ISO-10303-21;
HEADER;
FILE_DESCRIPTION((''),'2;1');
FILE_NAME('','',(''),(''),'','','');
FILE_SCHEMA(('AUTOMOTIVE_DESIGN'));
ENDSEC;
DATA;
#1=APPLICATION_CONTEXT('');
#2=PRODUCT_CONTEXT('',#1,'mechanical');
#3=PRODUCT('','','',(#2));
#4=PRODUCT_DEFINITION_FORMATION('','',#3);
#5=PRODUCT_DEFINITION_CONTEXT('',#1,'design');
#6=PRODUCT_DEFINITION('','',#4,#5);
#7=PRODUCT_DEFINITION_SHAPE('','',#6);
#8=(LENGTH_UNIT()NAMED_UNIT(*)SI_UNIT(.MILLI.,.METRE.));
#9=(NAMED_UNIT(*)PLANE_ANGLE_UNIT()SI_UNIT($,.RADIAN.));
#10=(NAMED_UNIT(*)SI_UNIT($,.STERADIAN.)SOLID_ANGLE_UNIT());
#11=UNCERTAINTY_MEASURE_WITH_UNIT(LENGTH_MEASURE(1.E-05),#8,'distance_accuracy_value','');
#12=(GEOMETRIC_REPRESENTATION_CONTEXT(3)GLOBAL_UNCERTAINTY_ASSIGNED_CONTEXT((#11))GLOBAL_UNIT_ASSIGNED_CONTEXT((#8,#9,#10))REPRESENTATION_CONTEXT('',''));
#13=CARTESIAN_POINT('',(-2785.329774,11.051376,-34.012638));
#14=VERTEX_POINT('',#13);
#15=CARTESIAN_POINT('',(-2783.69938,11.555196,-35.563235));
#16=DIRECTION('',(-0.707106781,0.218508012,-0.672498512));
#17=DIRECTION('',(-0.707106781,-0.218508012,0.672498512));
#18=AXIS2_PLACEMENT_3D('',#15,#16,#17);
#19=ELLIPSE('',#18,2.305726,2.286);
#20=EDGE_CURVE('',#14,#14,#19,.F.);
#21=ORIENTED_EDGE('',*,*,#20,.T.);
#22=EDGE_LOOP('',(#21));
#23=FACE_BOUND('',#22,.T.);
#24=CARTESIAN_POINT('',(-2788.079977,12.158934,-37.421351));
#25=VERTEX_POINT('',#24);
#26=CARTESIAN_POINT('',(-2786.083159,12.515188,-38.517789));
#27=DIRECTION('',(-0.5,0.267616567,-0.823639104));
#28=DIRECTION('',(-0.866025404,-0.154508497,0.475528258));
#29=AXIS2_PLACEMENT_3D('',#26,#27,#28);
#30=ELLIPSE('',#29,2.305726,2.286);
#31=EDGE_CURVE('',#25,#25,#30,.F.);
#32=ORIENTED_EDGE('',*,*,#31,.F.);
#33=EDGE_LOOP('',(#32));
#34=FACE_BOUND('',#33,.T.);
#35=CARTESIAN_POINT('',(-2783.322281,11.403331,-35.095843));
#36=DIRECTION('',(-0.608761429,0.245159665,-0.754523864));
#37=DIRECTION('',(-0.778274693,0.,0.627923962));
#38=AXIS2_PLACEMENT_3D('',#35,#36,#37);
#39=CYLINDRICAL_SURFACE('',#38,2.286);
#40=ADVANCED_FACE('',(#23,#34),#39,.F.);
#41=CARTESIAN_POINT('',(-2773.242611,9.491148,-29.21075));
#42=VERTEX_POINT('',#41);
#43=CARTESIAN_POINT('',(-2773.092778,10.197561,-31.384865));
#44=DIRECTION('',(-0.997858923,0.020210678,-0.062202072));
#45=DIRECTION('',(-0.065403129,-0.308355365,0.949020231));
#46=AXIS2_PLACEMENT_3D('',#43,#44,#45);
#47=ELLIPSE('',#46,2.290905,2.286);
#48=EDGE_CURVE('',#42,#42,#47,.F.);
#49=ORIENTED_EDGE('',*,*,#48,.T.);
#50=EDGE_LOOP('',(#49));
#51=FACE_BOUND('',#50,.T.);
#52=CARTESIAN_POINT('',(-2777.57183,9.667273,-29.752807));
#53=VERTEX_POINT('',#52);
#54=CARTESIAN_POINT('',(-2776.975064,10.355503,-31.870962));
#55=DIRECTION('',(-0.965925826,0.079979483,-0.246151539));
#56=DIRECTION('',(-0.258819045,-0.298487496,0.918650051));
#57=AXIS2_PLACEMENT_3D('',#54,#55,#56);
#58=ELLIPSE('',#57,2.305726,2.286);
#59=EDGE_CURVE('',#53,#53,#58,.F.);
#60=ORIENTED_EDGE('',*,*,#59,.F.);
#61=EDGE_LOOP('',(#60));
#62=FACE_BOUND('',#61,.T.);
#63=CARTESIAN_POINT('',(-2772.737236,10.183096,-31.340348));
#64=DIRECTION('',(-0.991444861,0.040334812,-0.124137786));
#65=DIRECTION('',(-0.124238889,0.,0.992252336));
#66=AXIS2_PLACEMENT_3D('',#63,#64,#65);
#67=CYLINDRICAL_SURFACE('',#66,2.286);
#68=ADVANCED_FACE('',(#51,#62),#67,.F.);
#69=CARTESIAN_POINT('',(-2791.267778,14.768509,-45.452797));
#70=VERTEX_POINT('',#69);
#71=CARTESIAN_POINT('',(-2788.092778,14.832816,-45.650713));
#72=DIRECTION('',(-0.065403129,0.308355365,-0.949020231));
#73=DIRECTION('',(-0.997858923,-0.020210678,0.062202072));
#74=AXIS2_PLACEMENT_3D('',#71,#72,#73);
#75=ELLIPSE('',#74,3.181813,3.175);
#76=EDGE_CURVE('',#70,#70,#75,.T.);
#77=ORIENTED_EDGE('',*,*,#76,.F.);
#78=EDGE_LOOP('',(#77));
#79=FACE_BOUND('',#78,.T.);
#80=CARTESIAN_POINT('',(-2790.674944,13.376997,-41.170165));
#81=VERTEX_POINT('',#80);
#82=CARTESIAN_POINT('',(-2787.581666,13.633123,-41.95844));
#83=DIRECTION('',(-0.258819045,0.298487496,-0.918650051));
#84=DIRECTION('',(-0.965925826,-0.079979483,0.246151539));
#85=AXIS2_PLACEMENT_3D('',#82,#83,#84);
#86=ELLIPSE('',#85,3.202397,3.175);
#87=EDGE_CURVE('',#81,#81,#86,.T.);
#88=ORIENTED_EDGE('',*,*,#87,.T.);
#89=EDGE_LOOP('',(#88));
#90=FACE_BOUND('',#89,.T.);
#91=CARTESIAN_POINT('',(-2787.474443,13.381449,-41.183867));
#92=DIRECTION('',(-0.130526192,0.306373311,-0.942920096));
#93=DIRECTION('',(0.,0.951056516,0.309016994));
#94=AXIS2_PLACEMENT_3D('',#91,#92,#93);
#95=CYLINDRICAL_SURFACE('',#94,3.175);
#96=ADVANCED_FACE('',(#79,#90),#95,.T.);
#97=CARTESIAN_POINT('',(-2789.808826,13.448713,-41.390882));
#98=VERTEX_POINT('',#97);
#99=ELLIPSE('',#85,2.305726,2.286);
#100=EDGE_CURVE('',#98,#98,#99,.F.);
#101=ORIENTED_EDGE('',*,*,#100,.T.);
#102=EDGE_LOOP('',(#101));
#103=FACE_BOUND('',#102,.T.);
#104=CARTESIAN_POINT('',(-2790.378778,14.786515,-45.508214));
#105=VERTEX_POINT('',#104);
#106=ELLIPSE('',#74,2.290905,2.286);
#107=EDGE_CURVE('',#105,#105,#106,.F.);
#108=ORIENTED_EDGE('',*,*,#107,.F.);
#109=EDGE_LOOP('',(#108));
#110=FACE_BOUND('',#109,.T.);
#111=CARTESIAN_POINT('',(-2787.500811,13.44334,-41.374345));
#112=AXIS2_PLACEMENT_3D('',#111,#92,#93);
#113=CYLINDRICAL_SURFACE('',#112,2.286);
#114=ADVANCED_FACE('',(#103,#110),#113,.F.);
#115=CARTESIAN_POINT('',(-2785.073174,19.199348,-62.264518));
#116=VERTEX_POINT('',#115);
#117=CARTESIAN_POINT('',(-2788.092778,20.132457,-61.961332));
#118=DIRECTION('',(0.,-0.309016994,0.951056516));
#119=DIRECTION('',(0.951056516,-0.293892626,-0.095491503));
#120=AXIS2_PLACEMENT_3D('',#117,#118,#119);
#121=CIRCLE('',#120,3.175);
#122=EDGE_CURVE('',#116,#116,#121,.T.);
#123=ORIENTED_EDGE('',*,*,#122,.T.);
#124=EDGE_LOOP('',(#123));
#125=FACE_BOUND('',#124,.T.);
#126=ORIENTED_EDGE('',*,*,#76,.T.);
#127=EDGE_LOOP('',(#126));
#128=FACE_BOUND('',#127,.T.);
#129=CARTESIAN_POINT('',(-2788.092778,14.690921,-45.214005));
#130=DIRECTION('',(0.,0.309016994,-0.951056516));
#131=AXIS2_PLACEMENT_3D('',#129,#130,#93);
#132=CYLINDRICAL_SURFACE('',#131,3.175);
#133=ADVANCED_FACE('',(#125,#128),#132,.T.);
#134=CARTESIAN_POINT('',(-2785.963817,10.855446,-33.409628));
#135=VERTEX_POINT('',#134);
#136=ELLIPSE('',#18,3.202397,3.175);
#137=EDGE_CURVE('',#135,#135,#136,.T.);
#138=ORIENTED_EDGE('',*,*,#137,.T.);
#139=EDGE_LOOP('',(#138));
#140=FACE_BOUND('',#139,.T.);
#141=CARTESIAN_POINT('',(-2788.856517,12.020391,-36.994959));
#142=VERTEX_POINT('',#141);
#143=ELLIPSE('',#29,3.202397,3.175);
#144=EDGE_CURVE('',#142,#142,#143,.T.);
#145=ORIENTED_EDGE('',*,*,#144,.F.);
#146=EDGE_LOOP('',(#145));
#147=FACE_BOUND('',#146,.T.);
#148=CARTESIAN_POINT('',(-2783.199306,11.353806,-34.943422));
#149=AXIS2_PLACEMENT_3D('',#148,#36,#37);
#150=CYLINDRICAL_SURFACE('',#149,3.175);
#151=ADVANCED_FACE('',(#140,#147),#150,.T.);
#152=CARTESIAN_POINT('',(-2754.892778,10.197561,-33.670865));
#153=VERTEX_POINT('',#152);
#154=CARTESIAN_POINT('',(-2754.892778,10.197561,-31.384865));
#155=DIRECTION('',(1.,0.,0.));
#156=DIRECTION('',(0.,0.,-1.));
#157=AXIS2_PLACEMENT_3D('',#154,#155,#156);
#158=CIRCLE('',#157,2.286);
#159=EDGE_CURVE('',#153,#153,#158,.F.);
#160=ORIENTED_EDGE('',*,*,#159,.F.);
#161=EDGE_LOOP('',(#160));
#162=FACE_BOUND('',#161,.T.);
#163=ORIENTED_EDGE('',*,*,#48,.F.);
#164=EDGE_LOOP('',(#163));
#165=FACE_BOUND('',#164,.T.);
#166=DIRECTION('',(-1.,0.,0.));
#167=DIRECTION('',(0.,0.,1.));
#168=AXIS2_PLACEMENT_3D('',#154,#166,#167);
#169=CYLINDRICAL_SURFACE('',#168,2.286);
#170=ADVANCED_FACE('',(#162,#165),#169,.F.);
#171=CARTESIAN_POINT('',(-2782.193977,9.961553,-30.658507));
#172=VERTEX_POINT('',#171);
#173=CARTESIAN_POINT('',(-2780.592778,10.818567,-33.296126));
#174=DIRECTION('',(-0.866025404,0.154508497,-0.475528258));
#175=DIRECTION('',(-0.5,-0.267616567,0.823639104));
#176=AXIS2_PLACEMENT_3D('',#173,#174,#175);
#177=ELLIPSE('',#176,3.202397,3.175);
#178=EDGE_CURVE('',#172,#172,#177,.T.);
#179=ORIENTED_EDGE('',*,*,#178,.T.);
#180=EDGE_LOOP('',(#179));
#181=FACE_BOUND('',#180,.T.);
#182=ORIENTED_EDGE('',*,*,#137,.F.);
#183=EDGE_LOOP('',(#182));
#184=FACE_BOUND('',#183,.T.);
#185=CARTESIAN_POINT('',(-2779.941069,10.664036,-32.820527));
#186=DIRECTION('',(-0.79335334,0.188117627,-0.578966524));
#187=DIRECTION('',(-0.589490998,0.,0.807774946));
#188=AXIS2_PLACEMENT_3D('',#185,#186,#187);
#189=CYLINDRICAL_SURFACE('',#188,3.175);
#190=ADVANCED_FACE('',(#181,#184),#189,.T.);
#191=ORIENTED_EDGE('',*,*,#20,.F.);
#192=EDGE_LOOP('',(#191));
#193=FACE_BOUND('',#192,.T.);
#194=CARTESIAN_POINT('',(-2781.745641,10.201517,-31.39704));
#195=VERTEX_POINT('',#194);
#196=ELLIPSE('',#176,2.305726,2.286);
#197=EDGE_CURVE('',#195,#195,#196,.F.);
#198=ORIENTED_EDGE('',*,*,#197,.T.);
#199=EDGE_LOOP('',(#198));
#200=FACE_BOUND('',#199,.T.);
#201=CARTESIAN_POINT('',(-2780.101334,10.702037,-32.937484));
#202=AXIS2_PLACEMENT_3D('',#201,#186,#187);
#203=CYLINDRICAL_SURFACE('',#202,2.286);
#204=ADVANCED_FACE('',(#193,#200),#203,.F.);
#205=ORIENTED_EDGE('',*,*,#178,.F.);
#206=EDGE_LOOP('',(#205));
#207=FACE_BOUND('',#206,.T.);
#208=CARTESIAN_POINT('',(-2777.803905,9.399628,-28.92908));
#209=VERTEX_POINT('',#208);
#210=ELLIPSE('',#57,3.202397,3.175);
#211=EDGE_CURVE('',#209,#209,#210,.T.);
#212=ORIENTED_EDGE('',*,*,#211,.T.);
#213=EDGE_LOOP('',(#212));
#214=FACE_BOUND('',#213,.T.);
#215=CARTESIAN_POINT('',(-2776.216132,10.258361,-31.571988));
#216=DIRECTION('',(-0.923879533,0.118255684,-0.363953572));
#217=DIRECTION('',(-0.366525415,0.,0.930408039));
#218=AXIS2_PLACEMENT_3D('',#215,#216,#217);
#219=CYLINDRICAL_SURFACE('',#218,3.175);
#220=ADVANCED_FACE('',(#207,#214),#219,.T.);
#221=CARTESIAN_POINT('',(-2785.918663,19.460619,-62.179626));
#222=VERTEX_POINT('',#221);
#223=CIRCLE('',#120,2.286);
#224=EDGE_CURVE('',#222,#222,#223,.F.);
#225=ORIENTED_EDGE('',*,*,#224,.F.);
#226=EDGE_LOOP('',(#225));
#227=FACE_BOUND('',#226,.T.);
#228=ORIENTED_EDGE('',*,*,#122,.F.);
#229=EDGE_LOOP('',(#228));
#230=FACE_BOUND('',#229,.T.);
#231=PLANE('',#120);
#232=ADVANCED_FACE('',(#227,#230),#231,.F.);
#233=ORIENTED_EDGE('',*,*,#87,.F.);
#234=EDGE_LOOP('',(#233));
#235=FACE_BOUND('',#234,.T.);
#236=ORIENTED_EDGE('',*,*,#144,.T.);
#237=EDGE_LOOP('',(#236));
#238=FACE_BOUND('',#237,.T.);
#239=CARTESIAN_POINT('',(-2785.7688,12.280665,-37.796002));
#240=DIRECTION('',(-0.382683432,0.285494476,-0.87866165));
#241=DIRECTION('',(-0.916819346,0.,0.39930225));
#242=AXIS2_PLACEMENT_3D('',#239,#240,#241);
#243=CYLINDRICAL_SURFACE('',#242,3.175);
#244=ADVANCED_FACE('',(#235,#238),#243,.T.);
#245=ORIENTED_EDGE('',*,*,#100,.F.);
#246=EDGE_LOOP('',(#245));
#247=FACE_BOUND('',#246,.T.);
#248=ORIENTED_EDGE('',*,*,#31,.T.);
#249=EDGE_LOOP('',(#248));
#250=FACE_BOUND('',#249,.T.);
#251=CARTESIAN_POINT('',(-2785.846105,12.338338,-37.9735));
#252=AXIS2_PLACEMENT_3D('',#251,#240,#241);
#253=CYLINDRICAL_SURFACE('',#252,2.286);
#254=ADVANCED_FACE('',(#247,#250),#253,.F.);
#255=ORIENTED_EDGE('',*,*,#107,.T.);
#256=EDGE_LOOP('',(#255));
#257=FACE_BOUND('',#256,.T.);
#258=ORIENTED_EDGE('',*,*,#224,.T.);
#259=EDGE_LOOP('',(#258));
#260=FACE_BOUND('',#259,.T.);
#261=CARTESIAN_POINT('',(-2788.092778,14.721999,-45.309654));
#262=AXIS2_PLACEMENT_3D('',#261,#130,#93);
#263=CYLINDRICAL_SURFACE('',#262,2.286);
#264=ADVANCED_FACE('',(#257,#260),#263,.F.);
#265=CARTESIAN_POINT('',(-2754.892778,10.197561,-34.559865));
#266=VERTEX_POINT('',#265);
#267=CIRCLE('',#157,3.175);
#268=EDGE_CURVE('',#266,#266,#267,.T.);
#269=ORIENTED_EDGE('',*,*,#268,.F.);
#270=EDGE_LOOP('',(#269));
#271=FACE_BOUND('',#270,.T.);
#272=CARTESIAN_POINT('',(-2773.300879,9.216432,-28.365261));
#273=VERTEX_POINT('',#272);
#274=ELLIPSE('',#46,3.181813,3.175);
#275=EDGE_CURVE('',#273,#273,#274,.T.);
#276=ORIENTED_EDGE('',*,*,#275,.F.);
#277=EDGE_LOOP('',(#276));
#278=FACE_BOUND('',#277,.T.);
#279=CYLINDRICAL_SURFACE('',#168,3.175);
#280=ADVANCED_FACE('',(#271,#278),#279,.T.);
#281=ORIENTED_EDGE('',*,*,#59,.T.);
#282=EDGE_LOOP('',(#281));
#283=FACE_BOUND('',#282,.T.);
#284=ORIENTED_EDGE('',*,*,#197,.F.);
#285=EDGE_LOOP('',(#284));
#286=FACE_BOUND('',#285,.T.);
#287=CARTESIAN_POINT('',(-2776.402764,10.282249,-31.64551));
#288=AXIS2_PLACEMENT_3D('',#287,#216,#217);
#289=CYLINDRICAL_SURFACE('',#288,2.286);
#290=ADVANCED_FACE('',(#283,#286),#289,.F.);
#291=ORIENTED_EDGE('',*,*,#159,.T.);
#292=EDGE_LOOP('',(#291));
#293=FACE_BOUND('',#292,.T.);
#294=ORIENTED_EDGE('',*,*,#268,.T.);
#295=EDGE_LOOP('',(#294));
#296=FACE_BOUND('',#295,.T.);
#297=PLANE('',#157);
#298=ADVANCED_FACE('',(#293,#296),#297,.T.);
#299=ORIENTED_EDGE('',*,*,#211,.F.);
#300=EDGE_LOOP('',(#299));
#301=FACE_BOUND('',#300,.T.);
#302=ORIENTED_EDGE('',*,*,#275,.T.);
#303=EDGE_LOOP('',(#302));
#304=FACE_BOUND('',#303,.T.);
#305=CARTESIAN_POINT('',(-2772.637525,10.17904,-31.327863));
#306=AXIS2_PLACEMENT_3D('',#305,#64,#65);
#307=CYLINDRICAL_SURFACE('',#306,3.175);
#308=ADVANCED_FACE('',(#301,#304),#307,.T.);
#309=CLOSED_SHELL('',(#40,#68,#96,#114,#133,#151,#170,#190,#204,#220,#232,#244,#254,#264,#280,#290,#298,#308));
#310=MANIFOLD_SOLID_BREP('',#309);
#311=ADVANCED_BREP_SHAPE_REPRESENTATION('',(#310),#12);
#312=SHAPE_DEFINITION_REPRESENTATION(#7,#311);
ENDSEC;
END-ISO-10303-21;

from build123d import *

# Parameters (mm, degrees)
PROFILE_R   = 3.175
PROFILE_R_2 = 2.286


with BuildPart() as part:
    # Tube: sweep along a curve in space
    with BuildLine() as tube_path:
        Line((-2754.892778381, 10.197560814, -31.384865038), (-2773.092778381, 10.197560814, -31.384865038))
        Line((-2773.092778381, 10.197560814, -31.384865038), (-2776.975064057, 10.355503296, -31.870962012))
        Line((-2776.975064057, 10.355503296, -31.870962012), (-2780.592778381, 10.81856722, -33.296126229))
        Line((-2780.592778381, 10.81856722, -33.296126229), (-2783.699380099, 11.555195547, -35.563235103))
        Line((-2783.699380099, 11.555195547, -35.563235103), (-2786.083159438, 12.515188272, -38.51778891))
        Line((-2786.083159438, 12.515188272, -38.51778891), (-2787.581665775, 13.633123479, -41.958439691))
        Line((-2787.581665775, 13.633123479, -41.958439691), (-2788.092778381, 14.83281573, -45.650712782))
        Line((-2788.092778381, 14.83281573, -45.650712782), (-2788.092778381, 20.132457184, -61.961332037))
    # Profile → Tube (sweep)
    with BuildSketch(Plane(origin=(-2754.892778381, 0, 0), x_dir=(0, 0, -1), z_dir=(1, 0, 0))):
        with Locations((31.384865038, 10.197560814)):
            Circle(PROFILE_R)
        with Locations((31.384865038, 10.197560814)):
            Circle(PROFILE_R_2, mode=Mode.SUBTRACT)
    sweep(path=tube_path.line, transition=Transition.RIGHT)


solid = part.part
